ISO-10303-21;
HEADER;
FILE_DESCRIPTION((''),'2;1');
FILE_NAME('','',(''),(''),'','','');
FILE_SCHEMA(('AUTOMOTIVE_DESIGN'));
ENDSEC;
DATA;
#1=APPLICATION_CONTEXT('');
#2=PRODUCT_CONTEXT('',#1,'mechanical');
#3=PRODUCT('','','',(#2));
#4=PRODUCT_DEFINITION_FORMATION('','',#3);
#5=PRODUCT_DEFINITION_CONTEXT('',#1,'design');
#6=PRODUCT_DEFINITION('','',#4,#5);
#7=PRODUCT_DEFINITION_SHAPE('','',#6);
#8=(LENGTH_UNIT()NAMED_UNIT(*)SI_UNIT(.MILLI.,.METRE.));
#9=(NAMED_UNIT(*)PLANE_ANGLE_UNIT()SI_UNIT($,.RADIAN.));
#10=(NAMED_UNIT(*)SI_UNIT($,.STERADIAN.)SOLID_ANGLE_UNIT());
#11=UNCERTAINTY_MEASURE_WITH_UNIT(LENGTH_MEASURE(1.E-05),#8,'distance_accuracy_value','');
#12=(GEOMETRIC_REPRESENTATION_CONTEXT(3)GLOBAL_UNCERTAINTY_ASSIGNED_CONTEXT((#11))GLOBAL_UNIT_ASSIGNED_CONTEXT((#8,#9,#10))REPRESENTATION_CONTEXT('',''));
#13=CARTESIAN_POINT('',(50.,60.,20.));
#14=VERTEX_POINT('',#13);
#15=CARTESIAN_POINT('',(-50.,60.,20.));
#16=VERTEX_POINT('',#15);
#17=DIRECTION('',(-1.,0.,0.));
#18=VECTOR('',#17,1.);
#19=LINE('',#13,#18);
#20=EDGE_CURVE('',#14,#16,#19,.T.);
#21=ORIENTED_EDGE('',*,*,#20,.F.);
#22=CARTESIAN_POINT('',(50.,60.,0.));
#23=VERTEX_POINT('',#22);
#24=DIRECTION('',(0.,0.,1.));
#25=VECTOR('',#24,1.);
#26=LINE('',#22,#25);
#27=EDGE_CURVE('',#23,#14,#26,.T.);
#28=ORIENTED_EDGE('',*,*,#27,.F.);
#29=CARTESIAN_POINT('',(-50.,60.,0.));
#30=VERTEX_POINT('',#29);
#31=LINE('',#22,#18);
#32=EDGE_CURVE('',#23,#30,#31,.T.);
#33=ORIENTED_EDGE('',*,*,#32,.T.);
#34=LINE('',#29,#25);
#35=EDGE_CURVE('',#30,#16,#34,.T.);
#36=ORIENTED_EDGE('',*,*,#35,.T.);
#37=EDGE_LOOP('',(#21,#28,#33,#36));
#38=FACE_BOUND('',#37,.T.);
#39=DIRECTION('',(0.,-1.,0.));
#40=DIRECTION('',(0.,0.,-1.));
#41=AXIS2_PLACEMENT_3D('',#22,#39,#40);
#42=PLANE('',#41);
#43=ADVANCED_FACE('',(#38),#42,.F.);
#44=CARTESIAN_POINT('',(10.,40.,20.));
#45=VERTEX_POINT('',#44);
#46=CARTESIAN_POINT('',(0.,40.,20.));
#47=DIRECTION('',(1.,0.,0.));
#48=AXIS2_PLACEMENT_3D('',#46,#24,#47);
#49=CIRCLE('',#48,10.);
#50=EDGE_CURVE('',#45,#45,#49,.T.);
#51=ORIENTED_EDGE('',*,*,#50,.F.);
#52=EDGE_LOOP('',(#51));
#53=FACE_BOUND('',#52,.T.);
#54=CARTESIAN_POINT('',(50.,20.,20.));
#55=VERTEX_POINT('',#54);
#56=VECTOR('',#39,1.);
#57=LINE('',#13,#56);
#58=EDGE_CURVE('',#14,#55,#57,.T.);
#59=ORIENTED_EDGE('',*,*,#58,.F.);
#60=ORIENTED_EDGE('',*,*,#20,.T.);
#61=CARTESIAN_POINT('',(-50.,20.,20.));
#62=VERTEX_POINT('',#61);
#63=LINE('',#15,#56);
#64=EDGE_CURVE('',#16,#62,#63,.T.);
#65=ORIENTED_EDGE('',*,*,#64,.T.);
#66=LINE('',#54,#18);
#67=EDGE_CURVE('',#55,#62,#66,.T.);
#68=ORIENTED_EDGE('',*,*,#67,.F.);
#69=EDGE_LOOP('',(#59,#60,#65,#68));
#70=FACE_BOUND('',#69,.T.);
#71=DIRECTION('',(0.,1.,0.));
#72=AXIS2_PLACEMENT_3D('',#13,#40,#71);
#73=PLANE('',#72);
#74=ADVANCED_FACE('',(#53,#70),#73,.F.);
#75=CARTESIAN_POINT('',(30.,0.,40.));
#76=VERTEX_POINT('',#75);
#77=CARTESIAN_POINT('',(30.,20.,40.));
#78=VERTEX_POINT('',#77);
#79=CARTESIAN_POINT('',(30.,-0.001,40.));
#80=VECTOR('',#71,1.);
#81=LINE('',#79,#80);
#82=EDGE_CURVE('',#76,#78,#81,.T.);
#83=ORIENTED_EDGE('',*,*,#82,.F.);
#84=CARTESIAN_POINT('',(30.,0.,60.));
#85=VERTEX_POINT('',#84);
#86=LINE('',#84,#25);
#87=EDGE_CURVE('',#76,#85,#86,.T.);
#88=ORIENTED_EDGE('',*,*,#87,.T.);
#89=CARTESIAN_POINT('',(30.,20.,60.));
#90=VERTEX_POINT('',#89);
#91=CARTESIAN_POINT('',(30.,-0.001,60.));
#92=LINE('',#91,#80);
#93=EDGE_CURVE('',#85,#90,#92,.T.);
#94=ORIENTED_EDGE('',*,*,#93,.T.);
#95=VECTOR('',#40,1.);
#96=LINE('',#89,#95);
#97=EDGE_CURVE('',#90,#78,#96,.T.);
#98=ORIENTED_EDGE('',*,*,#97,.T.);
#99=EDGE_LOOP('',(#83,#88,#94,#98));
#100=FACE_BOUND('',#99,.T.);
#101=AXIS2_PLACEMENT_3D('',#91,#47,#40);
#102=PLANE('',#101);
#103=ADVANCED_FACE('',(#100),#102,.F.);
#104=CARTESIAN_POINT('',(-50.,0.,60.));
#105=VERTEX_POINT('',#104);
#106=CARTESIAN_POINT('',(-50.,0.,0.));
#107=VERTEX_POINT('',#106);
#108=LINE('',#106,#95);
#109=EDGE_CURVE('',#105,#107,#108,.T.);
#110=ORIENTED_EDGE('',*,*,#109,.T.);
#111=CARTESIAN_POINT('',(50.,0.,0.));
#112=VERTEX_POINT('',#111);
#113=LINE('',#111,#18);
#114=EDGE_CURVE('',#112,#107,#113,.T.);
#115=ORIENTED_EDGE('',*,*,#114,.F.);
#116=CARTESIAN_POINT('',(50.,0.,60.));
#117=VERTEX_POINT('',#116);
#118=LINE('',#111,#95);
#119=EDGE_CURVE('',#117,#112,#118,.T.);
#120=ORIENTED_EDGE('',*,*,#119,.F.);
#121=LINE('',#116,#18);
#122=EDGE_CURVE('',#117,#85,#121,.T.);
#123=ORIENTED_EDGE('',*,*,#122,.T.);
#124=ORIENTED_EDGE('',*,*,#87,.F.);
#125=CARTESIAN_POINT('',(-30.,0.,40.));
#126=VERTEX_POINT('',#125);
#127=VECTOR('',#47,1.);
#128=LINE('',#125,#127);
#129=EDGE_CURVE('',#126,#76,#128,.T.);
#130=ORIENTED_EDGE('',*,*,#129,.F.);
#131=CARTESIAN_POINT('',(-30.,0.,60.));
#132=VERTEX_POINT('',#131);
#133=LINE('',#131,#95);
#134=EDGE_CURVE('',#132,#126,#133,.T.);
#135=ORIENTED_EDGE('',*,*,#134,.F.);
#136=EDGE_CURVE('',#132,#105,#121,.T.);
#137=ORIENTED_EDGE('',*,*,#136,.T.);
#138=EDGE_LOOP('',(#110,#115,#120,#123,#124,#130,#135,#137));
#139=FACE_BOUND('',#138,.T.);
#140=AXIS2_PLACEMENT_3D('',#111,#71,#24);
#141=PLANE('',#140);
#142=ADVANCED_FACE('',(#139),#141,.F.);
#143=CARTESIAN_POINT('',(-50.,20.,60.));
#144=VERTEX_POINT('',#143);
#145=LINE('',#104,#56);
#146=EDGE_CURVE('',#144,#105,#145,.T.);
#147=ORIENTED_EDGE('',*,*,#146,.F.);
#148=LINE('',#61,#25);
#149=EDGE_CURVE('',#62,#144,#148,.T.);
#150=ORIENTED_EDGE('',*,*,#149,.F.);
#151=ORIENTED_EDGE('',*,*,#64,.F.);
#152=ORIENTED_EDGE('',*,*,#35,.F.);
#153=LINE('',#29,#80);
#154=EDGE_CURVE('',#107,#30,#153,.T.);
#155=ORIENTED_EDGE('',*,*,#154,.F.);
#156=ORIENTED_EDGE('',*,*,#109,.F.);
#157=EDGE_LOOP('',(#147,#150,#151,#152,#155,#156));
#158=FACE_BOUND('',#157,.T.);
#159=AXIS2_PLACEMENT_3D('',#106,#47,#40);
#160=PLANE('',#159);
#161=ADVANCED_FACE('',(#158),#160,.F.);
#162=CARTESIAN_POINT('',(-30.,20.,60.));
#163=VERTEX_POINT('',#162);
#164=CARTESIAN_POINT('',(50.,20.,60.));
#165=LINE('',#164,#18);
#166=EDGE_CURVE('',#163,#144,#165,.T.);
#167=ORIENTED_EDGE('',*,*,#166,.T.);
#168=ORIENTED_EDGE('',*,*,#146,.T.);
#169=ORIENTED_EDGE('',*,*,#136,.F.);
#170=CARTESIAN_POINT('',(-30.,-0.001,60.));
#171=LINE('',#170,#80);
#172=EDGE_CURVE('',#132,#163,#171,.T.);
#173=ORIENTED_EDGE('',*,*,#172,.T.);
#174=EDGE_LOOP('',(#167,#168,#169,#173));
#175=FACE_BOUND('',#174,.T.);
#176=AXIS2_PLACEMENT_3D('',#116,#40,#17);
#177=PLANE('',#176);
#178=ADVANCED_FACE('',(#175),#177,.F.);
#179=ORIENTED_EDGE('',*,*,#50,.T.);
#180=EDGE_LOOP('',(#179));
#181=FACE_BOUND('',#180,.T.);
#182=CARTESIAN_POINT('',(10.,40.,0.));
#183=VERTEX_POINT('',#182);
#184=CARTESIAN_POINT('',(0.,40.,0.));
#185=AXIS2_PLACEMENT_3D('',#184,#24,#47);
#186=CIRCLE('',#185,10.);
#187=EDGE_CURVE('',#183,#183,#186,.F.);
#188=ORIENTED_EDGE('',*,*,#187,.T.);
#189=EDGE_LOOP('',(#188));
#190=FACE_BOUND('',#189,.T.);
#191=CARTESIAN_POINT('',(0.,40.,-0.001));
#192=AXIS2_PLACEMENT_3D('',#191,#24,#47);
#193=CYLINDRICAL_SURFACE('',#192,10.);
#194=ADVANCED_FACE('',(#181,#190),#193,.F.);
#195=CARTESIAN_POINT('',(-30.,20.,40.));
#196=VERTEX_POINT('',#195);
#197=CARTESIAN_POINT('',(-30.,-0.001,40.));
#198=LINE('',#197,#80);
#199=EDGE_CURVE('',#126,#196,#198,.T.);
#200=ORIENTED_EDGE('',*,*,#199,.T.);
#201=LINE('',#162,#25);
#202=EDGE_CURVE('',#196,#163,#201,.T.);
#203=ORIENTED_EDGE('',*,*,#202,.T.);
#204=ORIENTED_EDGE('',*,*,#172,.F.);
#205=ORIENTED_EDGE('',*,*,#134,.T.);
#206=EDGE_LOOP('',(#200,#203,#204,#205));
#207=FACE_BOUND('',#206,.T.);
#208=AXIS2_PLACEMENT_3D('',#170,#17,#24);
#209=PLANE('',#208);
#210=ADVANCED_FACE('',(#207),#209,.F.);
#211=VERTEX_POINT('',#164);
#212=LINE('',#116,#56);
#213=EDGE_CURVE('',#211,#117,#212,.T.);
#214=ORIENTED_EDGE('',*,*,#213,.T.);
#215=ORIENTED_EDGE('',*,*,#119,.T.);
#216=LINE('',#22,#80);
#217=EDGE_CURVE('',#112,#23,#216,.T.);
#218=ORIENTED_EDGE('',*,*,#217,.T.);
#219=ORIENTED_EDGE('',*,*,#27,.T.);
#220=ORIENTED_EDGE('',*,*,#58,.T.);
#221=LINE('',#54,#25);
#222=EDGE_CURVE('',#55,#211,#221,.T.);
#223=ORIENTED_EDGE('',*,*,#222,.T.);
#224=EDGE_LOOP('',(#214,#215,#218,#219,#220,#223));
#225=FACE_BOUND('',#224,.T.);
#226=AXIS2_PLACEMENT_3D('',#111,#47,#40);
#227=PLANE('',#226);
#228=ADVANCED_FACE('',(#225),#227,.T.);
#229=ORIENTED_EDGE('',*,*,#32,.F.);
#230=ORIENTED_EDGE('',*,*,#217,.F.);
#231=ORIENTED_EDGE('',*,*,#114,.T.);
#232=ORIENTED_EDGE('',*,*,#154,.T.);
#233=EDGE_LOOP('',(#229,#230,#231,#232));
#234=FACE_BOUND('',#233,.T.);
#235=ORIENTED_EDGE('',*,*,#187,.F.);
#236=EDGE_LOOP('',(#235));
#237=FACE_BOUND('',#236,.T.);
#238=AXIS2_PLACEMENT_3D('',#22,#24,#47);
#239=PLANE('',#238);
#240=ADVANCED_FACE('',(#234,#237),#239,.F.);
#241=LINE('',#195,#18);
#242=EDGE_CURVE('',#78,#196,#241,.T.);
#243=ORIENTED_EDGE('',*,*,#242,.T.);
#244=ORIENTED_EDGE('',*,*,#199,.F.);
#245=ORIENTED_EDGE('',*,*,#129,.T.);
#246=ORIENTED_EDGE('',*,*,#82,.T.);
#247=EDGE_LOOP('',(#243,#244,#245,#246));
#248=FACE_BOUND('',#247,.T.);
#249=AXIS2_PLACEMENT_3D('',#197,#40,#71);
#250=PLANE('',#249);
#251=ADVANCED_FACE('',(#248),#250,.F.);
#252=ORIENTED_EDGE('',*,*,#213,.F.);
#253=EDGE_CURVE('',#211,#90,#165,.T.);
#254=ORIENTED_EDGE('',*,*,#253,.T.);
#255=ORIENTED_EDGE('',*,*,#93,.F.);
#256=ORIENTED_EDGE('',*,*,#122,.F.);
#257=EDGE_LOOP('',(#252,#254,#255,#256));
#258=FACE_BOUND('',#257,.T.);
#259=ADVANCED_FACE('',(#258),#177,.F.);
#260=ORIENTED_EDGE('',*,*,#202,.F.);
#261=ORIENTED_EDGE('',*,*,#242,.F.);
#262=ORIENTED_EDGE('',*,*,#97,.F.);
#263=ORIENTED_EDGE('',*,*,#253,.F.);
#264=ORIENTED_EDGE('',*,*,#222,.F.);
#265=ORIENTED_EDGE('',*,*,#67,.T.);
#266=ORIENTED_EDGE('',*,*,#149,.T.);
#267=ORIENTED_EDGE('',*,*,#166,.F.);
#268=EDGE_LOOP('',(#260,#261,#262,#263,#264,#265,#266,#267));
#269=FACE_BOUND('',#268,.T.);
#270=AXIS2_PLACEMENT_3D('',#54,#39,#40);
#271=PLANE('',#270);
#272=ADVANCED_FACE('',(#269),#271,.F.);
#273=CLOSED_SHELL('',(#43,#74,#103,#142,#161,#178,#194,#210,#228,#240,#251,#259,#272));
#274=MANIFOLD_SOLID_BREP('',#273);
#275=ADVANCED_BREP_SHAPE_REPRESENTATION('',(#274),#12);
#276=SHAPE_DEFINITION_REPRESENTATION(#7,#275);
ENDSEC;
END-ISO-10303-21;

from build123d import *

# Parameters (mm, degrees)
BOSS_EXTRUDE1_DEPTH = 50
CUT_EXTRUDE1_REACH  = 22
SKETCH2_W           = 60
SKETCH2_H           = 20
CUT_EXTRUDE2_REACH  = 22
SKETCH3_R           = 10


with BuildPart() as part:
    # Sketch1 → Boss-Extrude1 (new body, symmetric)
    with BuildSketch(Plane(origin=(0, 0, 0), x_dir=(0, 0, -1), z_dir=(1, 0, 0))):
        Polygon((0, 60), (0, 0), (-60, 0), (-60, 20), (-20, 20), (-20, 60), align=None)
    extrude(amount=BOSS_EXTRUDE1_DEPTH, both=True)

    # Sketch2 → Cut-Extrude1 (cut, up to next)
    with BuildSketch(Plane(origin=(0, 20, 0), x_dir=(1, 0, 0), z_dir=(0, 1, 0)), mode=Mode.PRIVATE) as cut_extrude1_sk1:
        with Locations((0, -50)):
            Rectangle(SKETCH2_W, SKETCH2_H)
    cut_extrude1_tool1 = extrude(cut_extrude1_sk1.sketch, amount=-CUT_EXTRUDE1_REACH, mode=Mode.PRIVATE) & part.part
    add(cut_extrude1_tool1.solids().sort_by_distance((0, 20, 50))[0], mode=Mode.SUBTRACT)

    # Sketch3 → Cut-Extrude2 (cut, up to next)
    with BuildSketch(Plane.XY.offset(20), mode=Mode.PRIVATE) as cut_extrude2_sk1:
        with Locations((0, 40)):
            Circle(SKETCH3_R)
    cut_extrude2_tool1 = extrude(cut_extrude2_sk1.sketch, amount=-CUT_EXTRUDE2_REACH, mode=Mode.PRIVATE) & part.part
    add(cut_extrude2_tool1.solids().sort_by_distance((0, 40, 20))[0], mode=Mode.SUBTRACT)


solid = part.part
